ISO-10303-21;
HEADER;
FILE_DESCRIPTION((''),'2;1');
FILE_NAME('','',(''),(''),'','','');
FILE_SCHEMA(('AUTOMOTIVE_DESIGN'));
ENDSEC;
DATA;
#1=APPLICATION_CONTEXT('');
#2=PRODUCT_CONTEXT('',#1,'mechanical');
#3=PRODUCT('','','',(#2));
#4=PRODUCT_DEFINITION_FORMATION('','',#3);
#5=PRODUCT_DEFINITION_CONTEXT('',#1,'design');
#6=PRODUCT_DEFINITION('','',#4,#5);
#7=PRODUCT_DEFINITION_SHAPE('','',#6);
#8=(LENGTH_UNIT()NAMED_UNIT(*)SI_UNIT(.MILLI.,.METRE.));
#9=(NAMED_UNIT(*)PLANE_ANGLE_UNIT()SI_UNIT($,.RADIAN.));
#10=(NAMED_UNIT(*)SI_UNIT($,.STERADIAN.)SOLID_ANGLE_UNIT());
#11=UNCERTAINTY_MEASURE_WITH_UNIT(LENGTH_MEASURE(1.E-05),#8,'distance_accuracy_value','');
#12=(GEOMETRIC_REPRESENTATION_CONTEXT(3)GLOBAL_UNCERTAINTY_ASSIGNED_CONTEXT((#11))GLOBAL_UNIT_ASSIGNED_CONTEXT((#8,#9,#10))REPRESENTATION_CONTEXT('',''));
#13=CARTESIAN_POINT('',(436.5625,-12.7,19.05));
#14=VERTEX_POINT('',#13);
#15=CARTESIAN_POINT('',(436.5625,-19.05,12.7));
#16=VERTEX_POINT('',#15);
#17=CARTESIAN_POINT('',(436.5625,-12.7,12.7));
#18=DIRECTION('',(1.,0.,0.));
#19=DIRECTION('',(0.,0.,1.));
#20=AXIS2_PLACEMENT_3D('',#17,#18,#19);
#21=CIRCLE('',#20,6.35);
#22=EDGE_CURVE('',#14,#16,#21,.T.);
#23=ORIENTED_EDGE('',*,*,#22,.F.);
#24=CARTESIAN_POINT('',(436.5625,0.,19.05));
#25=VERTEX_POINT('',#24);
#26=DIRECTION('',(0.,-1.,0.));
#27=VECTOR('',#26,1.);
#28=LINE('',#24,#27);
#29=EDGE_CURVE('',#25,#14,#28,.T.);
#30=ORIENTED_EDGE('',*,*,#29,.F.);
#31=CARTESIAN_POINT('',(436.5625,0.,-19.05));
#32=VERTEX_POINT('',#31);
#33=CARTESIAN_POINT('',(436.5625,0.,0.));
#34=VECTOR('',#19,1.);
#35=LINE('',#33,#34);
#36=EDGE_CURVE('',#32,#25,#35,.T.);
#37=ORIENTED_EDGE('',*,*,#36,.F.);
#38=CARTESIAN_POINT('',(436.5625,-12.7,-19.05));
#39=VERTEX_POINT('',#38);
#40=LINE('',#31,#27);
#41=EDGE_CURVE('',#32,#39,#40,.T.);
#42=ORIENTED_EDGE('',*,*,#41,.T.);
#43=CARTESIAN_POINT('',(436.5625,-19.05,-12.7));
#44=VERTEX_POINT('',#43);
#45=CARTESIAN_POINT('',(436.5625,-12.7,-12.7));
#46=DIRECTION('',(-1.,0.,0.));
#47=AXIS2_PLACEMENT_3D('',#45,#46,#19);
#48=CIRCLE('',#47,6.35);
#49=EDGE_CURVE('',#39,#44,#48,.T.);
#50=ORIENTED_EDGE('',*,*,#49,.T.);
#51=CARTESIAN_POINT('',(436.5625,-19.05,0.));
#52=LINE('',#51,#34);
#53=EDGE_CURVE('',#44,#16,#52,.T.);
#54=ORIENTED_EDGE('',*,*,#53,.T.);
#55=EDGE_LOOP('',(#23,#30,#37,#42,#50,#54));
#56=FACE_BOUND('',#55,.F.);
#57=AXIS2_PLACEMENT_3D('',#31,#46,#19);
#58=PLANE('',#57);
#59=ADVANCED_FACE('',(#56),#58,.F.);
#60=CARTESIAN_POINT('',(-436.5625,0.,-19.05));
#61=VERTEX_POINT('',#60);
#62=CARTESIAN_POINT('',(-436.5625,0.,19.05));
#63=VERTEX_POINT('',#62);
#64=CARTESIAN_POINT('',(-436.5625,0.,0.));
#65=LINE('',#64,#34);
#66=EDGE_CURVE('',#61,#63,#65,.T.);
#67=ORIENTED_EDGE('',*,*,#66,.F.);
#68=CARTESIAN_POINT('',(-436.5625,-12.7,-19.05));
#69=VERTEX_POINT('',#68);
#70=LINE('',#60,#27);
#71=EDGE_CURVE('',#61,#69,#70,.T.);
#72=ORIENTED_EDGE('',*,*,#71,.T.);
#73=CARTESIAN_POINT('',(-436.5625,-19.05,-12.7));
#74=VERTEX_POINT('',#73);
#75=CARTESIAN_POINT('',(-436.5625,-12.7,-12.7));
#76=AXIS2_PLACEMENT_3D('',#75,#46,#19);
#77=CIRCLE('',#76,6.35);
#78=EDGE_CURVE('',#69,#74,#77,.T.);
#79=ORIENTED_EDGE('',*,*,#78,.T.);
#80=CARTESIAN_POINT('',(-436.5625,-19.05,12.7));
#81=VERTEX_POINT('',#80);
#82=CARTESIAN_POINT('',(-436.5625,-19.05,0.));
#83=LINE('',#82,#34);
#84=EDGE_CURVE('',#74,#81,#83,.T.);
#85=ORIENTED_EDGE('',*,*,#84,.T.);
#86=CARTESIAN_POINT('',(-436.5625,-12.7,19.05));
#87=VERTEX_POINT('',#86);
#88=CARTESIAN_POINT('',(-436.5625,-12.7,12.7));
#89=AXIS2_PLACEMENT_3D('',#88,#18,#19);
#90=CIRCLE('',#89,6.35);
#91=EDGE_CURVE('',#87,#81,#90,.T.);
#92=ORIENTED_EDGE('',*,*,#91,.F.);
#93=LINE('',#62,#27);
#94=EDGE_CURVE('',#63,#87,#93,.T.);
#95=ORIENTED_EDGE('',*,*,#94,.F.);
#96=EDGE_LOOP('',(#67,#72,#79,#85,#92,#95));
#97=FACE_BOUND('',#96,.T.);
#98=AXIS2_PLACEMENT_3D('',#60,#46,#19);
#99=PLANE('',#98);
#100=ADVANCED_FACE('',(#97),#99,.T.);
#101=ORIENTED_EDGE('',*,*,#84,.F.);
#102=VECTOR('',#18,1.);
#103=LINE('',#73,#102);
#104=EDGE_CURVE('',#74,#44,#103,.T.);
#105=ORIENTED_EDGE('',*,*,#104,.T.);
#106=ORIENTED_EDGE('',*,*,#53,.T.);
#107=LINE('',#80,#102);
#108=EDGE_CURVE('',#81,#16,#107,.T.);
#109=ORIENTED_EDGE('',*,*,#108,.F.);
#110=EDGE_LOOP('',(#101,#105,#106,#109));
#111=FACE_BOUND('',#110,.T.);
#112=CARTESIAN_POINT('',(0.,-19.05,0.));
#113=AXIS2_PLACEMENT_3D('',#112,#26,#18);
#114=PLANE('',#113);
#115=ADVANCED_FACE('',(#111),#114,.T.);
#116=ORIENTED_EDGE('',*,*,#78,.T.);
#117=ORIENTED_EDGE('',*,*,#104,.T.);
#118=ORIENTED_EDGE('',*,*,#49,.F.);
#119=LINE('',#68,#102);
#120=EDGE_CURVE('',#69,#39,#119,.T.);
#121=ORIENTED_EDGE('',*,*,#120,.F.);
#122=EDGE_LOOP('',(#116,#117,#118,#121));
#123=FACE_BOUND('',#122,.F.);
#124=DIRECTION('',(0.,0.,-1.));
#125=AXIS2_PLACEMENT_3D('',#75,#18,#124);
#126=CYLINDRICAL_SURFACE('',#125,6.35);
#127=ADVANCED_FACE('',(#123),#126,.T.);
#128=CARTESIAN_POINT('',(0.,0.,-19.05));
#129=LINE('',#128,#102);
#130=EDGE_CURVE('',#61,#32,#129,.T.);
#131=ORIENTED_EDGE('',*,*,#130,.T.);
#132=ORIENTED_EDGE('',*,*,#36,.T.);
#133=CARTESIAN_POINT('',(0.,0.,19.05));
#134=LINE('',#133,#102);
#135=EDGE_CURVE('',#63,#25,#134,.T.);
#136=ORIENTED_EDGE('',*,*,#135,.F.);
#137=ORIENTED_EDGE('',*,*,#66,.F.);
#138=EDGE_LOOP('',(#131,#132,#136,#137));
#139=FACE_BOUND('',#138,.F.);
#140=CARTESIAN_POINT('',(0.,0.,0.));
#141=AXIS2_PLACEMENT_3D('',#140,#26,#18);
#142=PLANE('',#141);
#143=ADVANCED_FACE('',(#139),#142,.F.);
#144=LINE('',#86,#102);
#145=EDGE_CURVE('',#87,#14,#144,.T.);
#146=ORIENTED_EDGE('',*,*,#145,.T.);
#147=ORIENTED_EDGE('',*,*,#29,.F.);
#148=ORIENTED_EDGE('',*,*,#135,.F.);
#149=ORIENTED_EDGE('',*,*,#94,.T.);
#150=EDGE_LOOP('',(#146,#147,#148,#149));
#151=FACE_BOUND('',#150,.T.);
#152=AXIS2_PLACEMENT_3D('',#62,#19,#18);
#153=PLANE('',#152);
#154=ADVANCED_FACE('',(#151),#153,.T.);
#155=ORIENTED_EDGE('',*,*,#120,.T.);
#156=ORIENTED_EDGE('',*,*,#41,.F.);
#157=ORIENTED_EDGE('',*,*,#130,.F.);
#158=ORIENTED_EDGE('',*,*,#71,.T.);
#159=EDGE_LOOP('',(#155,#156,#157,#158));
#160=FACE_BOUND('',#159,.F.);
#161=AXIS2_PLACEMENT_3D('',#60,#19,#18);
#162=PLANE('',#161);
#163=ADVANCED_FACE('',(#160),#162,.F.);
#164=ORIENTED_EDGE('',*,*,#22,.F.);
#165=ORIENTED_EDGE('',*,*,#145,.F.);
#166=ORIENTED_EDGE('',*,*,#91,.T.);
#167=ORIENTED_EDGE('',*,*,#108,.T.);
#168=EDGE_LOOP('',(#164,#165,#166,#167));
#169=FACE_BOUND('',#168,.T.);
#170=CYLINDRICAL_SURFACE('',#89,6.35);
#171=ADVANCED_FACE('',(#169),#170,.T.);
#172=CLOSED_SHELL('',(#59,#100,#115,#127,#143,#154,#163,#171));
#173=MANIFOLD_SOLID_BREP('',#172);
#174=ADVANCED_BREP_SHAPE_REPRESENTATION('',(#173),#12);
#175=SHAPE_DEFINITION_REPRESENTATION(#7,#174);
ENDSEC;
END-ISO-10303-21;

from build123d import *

# Parameters (mm, degrees)
F0_W     = 873.125
F0_H     = 38.1
F1_DEPTH = 19.05
F2_R     = 6.35


with BuildPart() as f1:
    # F0 (on Front) → F1 (new body)
    with BuildSketch(Plane.XZ):
        Rectangle(F0_W, F0_H)
    extrude(amount=F1_DEPTH)

    # F2
    f2_edges = [f1.edges().sort_by_distance(p)[0] for p in [
        (0, -19.05, 19.05),
        (0, -19.05, -19.05),
    ]]
    fillet(f2_edges, radius=F2_R)


solid = f1.part
